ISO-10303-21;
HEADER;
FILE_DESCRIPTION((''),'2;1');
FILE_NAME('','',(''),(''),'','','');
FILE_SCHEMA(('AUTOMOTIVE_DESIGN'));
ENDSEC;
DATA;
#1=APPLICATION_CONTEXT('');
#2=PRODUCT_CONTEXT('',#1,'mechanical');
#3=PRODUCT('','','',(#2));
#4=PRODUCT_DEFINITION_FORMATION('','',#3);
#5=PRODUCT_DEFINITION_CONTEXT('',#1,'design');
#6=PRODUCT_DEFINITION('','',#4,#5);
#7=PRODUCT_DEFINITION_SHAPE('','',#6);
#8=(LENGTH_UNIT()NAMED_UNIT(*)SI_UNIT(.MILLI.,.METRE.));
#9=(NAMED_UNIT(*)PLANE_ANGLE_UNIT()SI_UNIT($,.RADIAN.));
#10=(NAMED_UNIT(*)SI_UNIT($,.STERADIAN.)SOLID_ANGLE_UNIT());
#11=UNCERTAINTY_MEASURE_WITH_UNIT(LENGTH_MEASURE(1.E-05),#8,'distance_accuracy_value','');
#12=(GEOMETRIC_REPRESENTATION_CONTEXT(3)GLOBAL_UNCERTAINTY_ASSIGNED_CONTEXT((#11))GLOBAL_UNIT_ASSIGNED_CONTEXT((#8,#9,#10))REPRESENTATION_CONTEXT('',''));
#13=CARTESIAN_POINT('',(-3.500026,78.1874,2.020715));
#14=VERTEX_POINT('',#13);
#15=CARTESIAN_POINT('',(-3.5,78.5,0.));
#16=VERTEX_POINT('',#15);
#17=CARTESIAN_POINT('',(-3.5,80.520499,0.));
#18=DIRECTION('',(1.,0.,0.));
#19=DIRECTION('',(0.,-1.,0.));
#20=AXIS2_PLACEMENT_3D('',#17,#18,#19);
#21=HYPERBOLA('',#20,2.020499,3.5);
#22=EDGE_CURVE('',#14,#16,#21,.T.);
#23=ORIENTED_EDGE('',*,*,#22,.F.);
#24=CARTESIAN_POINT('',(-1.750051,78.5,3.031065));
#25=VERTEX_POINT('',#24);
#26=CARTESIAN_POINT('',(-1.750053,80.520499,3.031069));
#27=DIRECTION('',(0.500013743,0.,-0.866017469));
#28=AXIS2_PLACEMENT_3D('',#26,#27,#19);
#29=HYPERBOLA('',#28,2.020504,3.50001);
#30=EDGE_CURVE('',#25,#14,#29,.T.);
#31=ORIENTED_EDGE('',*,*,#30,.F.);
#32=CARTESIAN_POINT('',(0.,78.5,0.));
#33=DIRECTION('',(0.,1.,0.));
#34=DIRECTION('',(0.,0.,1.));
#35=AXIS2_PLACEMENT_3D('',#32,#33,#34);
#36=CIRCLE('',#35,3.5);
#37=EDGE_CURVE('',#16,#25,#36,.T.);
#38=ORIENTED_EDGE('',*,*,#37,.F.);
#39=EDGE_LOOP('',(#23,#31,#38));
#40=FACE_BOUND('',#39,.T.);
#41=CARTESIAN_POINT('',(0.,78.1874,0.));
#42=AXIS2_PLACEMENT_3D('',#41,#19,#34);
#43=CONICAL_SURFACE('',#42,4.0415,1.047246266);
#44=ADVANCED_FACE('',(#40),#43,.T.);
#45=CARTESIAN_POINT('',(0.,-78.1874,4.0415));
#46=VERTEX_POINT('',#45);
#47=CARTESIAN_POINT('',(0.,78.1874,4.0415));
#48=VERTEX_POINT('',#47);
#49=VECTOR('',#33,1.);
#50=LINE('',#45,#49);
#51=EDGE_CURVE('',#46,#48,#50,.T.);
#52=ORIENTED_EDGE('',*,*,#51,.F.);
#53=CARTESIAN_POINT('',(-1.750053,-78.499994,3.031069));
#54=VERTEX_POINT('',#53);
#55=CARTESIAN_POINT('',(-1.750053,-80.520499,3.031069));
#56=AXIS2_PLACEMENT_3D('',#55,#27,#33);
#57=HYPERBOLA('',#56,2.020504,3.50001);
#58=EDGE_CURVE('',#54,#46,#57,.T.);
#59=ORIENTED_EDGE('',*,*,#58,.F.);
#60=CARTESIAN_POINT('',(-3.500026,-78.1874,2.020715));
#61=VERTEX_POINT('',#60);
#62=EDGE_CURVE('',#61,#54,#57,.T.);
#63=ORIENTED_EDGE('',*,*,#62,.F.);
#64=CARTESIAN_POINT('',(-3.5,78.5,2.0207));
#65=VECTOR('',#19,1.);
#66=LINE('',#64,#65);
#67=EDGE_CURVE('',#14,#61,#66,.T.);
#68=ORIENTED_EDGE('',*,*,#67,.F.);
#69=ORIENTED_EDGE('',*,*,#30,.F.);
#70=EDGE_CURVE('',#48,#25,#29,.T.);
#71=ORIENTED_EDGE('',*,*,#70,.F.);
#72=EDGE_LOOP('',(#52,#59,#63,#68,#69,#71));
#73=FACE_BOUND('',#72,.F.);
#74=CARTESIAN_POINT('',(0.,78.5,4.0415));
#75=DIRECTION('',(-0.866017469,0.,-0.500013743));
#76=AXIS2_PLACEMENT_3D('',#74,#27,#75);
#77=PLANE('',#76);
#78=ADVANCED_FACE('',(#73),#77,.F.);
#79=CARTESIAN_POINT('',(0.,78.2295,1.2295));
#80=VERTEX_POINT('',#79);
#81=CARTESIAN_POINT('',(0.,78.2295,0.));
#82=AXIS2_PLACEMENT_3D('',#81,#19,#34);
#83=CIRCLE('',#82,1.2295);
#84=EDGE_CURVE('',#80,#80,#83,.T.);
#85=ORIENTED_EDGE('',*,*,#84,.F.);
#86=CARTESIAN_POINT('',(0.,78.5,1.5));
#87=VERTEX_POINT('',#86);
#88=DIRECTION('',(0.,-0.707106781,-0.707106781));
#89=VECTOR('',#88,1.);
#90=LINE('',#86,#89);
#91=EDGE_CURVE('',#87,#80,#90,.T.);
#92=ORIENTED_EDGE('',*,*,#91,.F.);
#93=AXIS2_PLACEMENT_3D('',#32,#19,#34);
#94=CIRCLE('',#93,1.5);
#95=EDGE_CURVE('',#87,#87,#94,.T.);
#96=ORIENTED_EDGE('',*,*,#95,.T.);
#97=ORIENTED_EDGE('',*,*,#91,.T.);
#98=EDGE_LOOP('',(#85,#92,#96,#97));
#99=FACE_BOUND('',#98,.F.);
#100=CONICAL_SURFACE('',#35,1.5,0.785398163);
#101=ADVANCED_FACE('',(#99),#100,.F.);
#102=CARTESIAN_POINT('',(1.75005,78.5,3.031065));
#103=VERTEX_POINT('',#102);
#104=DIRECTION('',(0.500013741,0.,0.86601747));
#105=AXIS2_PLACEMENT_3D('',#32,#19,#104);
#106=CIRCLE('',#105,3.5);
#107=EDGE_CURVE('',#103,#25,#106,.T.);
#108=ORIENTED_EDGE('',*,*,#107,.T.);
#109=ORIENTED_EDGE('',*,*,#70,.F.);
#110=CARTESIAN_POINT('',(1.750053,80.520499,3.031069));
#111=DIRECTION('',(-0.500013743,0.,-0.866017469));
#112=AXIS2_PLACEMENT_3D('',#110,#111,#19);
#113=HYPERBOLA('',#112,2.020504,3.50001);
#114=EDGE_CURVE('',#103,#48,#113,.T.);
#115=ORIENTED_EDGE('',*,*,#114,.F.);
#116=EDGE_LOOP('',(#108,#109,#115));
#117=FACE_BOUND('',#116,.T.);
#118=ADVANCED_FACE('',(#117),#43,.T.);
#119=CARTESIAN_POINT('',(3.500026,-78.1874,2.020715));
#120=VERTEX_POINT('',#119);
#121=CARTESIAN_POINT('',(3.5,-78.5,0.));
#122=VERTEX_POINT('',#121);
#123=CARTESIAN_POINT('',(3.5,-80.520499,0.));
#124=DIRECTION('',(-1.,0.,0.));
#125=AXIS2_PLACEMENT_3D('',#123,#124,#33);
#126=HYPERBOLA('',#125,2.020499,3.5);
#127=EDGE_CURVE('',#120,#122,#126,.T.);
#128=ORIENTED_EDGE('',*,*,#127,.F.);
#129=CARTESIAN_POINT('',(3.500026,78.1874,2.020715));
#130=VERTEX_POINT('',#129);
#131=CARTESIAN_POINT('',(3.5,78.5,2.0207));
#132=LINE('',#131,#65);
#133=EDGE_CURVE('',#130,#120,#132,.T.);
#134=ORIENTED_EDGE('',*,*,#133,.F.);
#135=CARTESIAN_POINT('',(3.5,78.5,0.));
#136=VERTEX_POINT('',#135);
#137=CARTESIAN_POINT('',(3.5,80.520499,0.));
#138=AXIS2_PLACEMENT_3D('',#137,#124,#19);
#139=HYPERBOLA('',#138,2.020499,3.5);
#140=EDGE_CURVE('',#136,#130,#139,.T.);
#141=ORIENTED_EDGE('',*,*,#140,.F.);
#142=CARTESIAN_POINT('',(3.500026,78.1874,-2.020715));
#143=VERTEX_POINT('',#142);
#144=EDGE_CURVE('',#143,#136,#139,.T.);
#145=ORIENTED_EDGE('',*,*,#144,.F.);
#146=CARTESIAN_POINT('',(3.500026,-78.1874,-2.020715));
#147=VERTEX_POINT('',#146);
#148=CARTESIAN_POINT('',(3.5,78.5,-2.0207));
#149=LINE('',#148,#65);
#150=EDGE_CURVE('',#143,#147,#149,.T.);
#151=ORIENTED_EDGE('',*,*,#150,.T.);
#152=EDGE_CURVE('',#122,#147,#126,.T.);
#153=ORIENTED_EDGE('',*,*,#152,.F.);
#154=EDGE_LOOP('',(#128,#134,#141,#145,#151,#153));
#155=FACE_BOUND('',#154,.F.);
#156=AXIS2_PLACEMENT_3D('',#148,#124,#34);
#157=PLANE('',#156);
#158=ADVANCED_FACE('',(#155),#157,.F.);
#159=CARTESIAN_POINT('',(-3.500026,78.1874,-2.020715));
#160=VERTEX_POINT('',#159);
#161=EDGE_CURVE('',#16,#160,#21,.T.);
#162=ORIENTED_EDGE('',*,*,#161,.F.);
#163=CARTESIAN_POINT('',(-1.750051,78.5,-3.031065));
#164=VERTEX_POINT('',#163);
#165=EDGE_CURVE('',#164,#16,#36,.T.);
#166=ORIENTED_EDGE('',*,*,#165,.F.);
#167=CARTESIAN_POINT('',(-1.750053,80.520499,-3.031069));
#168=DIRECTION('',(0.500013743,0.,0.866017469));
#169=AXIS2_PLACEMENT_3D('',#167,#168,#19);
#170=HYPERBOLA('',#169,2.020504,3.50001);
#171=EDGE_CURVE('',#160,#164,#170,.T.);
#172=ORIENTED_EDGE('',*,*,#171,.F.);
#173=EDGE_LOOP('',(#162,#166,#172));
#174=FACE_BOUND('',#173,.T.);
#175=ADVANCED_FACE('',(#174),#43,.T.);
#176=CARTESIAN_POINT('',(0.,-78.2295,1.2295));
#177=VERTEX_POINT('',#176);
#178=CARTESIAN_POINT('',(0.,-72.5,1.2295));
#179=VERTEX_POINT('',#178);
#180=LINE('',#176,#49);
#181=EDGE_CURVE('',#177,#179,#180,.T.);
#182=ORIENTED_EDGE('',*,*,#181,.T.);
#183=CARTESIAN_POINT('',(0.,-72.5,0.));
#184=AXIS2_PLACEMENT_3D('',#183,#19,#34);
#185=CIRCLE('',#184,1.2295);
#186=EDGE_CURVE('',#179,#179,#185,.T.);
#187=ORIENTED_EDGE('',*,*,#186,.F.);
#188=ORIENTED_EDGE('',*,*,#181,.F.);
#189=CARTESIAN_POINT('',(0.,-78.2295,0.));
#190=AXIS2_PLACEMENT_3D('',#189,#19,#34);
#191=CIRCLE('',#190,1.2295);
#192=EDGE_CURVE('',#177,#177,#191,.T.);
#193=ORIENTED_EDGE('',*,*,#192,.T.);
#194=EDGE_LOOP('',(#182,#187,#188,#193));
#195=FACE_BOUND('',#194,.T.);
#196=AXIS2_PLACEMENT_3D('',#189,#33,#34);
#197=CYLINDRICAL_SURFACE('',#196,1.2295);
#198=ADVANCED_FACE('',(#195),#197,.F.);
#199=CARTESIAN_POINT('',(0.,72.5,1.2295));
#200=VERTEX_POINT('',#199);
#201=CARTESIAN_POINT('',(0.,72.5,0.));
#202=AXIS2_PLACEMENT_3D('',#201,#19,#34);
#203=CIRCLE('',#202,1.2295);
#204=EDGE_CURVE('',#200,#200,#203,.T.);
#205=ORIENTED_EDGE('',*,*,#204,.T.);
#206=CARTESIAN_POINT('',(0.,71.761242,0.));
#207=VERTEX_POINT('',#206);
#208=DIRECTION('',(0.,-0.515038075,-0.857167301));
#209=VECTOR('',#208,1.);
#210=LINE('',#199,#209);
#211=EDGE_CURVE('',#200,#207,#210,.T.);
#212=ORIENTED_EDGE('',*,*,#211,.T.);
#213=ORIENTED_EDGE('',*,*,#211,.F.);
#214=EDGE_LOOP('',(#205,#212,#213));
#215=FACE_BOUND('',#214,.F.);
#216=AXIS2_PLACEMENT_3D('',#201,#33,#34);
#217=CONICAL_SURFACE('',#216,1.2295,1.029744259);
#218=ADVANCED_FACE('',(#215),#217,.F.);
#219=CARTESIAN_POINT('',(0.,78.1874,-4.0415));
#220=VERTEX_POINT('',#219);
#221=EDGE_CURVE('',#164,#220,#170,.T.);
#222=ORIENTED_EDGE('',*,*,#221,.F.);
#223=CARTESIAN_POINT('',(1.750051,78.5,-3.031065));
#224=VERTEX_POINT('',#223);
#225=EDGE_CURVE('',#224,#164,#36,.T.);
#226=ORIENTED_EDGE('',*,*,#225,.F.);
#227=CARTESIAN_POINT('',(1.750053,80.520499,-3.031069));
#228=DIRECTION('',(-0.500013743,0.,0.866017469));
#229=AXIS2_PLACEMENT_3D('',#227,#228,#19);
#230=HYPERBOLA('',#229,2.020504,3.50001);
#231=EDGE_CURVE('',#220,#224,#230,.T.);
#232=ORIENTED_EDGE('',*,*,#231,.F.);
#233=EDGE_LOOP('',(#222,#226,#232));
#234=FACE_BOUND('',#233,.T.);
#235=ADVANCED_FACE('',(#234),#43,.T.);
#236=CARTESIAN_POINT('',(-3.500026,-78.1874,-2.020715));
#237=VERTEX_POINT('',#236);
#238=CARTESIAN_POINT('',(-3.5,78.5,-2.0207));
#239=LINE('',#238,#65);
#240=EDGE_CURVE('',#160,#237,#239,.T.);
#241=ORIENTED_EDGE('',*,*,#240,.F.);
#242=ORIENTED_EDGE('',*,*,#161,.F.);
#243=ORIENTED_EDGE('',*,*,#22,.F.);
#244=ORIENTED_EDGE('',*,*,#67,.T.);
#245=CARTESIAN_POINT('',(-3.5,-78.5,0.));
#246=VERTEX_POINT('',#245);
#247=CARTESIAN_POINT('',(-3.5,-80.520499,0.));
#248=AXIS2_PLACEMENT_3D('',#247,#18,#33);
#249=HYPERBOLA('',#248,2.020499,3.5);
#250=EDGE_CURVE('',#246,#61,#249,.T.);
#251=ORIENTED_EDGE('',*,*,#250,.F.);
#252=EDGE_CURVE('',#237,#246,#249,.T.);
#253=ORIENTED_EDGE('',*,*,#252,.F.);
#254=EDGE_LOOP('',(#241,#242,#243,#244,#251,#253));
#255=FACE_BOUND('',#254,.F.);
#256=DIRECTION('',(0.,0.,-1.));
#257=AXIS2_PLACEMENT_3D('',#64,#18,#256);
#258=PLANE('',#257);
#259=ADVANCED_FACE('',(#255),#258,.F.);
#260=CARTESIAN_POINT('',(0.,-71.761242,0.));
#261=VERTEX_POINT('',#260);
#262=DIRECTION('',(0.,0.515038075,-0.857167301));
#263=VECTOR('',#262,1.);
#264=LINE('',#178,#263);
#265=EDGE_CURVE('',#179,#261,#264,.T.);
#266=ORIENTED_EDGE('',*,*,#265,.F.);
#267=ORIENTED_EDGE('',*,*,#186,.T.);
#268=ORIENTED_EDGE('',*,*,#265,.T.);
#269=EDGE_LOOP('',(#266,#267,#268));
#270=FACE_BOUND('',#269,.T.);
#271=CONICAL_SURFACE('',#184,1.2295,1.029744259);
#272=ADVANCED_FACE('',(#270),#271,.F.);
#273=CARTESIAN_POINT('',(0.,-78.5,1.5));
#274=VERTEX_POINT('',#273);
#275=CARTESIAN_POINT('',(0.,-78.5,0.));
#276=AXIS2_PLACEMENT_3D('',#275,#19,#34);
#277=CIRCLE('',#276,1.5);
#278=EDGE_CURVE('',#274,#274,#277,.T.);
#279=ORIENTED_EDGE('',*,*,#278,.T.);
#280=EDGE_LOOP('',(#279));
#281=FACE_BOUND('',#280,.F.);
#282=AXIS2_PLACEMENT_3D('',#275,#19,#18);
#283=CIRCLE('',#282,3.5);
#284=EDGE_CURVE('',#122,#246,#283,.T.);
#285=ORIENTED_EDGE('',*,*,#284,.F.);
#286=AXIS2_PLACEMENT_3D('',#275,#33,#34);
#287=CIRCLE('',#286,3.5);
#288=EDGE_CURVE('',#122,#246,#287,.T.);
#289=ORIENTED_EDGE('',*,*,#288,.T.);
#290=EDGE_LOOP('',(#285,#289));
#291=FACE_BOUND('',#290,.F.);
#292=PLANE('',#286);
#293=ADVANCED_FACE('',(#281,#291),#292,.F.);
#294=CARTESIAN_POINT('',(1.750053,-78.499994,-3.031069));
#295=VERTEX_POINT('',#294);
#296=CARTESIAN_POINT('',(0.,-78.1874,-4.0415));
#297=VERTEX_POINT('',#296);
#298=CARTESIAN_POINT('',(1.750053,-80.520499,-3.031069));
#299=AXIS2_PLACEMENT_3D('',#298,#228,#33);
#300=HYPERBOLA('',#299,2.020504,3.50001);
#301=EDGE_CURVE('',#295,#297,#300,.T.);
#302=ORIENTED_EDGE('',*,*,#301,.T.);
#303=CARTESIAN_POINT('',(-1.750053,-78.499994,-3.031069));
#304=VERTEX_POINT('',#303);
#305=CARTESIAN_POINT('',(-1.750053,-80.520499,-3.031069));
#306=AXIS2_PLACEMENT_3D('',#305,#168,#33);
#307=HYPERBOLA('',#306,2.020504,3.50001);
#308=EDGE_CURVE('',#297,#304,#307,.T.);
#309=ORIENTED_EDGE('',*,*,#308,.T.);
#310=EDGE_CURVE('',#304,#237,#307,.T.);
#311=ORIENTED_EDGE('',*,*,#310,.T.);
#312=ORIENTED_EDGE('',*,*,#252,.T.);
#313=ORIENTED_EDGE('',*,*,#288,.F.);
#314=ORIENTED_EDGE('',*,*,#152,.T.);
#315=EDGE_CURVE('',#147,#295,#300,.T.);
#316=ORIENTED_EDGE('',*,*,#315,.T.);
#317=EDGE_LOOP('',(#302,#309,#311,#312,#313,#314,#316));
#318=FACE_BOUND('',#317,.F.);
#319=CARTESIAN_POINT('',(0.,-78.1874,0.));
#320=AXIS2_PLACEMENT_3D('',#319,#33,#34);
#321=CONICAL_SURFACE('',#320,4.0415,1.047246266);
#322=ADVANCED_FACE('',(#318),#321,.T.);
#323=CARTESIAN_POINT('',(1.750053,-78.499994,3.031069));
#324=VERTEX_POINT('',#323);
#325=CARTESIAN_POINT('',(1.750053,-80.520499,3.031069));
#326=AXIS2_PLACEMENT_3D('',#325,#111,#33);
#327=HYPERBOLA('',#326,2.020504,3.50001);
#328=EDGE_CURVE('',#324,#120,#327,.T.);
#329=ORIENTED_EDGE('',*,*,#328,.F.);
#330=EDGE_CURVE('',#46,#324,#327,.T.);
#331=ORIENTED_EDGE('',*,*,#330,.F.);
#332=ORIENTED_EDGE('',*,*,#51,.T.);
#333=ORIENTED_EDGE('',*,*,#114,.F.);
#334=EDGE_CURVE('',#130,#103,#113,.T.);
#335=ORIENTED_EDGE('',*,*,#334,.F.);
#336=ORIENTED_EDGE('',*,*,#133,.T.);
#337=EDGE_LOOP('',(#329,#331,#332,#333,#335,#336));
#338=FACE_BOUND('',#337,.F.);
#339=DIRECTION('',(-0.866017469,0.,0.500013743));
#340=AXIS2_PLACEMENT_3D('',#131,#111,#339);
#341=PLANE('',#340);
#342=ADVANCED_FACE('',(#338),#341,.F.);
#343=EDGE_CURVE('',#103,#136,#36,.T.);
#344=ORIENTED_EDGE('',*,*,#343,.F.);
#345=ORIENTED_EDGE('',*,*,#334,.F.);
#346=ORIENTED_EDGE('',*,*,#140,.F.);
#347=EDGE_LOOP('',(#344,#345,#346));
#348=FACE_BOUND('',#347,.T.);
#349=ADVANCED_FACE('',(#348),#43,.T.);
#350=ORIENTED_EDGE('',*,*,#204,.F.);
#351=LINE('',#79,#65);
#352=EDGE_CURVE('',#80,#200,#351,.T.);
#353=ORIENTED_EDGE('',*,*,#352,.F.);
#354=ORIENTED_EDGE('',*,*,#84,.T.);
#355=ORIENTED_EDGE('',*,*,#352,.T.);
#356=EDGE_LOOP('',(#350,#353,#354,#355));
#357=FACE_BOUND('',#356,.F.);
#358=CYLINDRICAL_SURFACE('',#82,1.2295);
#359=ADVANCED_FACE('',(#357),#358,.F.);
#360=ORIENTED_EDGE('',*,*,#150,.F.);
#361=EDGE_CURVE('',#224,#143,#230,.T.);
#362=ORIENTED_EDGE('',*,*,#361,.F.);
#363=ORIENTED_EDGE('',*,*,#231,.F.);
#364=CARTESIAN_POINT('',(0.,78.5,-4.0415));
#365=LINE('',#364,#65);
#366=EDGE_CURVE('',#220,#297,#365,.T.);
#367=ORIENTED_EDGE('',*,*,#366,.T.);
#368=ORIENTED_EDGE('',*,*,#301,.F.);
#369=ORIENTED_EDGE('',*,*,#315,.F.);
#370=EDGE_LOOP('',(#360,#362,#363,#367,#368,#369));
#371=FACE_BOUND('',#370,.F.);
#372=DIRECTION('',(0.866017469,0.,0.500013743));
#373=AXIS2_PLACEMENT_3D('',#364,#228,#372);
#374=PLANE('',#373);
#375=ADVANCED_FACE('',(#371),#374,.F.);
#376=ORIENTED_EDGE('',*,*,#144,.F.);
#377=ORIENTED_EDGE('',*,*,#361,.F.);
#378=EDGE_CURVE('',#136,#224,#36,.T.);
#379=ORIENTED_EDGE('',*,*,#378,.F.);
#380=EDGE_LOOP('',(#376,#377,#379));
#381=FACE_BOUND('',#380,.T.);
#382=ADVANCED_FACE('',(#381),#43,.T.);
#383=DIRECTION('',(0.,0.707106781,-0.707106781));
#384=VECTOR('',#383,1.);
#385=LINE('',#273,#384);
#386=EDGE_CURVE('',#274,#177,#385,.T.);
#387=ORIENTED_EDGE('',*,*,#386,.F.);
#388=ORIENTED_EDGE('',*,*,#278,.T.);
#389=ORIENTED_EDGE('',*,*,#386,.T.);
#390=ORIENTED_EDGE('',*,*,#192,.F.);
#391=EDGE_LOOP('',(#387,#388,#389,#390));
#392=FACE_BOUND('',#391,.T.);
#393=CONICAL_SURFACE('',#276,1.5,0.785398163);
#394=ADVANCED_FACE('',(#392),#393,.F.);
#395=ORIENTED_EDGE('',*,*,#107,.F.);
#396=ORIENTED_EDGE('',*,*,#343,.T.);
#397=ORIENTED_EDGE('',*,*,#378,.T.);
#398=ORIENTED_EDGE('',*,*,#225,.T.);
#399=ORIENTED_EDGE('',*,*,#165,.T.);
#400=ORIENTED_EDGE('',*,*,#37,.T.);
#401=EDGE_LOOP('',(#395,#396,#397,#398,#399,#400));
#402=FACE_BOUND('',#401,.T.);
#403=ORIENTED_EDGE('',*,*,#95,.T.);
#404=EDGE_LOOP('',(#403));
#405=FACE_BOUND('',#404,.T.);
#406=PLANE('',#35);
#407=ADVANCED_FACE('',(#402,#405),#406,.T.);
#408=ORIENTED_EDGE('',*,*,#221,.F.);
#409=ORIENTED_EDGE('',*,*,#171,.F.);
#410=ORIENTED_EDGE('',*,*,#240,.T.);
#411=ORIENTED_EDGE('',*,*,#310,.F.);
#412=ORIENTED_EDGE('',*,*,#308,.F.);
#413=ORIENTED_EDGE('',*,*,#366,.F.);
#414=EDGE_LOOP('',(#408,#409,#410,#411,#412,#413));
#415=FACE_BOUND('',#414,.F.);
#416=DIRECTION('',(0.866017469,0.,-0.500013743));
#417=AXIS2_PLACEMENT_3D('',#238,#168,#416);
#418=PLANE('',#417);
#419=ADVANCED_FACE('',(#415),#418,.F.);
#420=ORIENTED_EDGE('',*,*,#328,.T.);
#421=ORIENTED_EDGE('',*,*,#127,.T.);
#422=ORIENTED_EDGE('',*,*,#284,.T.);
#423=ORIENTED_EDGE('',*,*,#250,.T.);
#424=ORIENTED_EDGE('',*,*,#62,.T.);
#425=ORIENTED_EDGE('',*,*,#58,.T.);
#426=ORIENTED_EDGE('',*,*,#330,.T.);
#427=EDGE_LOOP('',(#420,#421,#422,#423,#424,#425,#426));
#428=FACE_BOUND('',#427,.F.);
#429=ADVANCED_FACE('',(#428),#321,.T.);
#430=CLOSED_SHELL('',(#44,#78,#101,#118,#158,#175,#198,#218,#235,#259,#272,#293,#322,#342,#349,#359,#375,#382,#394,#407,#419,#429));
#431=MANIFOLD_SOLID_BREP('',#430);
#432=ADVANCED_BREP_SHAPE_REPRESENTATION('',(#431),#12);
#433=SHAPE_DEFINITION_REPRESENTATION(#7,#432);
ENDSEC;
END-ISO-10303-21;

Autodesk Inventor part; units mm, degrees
ref_plane "YZ Plane" through (0, 0, 0) normal (1, 0, 0) x (0, 1, 0)
ref_plane "XZ Plane" through (0, 0, 0) normal (0, 1, 0) x (-1, 0, 0)
ref_plane "XY Plane" through (0, 0, 0) normal (0, 0, 1) x (1, 0, 0)
sketch "スケッチ1" plane through (0, 0, 0) normal (1, 0, 0) x (0, 1, 0)
  line L0 (-78.5, 0) -> (78.5, 0)
  line L1 (0, 0) -> (0, 4.0415) construction
  line L2 (-78.1874, 4.0415) -> (-78.5, 3.5)
  line L3 (-78.5, 3.5) -> (-78.5, 0)
  line L4 (-78.1874, 4.0415) -> (78.1874, 4.0415)
  line L5 (78.1874, 4.0415) -> (78.5, 3.5)
  line L6 (78.5, 3.5) -> (78.5, 0)
  dimension "d1" = 3.5
  dimension "d2" = 4.0415
  dimension "d3" = 30
  dimension "d4" = 157
revolve "回転1" add sketch "スケッチ1" angle 360 about axis through (0, -78.5, 0) along (0, 1, 0)
sketch "スケッチ2" plane through (0, 78.5, 0) normal (0, 1, 0) x (1, 0, 0)
  circle A0 centre (0, 0) radius 4.0415 projected
  line L0 (0, -4.0415) -> (-3.5, -2.0207)
  line L1 (-3.5, -2.0207) -> (-3.5, 2.0207)
  line L2 (-3.5, 2.0207) -> (0, 4.0415)
  line L3 (0, 4.0415) -> (3.5, 2.0207)
  line L4 (3.5, 2.0207) -> (3.5, -2.0207)
  line L5 (3.5, -2.0207) -> (0, -4.0415)
  point P0 (0, 0)
  point P1 (0, 0)
  point P2 (3.5, -2.0207)
  point P3 (3.5, 2.0207)
  point P4 (3.5, 2.0207)
  point P5 (0, 4.0415)
  point P6 (0, 4.0415)
  point P7 (-3.5, 2.0207)
  point P8 (-3.5, 2.0207)
  point P9 (-3.5, -2.0207)
  point P10 (-3.5, -2.0207)
  point P11 (0, 0)
extrude "押し出し1" cut sketch "スケッチ2" against normal through all contours A0 L4 | L3 A0 | A0 L5 | L2 A0 | A0 L0 | L1 A0
hole "穴1" at (0, 78.5, 0) direction (0, -1, 0) diameter 2.459 depth 6 tip angle 118 countersink diameter 3 countersink angle 90 thread size "M3x0.5" class "6H" standard "ISO Metric profile"
mirror "ミラー1" about plane through (0, 0, 0) normal (0, 1, 0) of "穴1"
equation "\"d2\" = 1.1547 * d1"
properties part number "SLSBF7-157-M3-N3" material "ステンレス鋼 AISI 304"
